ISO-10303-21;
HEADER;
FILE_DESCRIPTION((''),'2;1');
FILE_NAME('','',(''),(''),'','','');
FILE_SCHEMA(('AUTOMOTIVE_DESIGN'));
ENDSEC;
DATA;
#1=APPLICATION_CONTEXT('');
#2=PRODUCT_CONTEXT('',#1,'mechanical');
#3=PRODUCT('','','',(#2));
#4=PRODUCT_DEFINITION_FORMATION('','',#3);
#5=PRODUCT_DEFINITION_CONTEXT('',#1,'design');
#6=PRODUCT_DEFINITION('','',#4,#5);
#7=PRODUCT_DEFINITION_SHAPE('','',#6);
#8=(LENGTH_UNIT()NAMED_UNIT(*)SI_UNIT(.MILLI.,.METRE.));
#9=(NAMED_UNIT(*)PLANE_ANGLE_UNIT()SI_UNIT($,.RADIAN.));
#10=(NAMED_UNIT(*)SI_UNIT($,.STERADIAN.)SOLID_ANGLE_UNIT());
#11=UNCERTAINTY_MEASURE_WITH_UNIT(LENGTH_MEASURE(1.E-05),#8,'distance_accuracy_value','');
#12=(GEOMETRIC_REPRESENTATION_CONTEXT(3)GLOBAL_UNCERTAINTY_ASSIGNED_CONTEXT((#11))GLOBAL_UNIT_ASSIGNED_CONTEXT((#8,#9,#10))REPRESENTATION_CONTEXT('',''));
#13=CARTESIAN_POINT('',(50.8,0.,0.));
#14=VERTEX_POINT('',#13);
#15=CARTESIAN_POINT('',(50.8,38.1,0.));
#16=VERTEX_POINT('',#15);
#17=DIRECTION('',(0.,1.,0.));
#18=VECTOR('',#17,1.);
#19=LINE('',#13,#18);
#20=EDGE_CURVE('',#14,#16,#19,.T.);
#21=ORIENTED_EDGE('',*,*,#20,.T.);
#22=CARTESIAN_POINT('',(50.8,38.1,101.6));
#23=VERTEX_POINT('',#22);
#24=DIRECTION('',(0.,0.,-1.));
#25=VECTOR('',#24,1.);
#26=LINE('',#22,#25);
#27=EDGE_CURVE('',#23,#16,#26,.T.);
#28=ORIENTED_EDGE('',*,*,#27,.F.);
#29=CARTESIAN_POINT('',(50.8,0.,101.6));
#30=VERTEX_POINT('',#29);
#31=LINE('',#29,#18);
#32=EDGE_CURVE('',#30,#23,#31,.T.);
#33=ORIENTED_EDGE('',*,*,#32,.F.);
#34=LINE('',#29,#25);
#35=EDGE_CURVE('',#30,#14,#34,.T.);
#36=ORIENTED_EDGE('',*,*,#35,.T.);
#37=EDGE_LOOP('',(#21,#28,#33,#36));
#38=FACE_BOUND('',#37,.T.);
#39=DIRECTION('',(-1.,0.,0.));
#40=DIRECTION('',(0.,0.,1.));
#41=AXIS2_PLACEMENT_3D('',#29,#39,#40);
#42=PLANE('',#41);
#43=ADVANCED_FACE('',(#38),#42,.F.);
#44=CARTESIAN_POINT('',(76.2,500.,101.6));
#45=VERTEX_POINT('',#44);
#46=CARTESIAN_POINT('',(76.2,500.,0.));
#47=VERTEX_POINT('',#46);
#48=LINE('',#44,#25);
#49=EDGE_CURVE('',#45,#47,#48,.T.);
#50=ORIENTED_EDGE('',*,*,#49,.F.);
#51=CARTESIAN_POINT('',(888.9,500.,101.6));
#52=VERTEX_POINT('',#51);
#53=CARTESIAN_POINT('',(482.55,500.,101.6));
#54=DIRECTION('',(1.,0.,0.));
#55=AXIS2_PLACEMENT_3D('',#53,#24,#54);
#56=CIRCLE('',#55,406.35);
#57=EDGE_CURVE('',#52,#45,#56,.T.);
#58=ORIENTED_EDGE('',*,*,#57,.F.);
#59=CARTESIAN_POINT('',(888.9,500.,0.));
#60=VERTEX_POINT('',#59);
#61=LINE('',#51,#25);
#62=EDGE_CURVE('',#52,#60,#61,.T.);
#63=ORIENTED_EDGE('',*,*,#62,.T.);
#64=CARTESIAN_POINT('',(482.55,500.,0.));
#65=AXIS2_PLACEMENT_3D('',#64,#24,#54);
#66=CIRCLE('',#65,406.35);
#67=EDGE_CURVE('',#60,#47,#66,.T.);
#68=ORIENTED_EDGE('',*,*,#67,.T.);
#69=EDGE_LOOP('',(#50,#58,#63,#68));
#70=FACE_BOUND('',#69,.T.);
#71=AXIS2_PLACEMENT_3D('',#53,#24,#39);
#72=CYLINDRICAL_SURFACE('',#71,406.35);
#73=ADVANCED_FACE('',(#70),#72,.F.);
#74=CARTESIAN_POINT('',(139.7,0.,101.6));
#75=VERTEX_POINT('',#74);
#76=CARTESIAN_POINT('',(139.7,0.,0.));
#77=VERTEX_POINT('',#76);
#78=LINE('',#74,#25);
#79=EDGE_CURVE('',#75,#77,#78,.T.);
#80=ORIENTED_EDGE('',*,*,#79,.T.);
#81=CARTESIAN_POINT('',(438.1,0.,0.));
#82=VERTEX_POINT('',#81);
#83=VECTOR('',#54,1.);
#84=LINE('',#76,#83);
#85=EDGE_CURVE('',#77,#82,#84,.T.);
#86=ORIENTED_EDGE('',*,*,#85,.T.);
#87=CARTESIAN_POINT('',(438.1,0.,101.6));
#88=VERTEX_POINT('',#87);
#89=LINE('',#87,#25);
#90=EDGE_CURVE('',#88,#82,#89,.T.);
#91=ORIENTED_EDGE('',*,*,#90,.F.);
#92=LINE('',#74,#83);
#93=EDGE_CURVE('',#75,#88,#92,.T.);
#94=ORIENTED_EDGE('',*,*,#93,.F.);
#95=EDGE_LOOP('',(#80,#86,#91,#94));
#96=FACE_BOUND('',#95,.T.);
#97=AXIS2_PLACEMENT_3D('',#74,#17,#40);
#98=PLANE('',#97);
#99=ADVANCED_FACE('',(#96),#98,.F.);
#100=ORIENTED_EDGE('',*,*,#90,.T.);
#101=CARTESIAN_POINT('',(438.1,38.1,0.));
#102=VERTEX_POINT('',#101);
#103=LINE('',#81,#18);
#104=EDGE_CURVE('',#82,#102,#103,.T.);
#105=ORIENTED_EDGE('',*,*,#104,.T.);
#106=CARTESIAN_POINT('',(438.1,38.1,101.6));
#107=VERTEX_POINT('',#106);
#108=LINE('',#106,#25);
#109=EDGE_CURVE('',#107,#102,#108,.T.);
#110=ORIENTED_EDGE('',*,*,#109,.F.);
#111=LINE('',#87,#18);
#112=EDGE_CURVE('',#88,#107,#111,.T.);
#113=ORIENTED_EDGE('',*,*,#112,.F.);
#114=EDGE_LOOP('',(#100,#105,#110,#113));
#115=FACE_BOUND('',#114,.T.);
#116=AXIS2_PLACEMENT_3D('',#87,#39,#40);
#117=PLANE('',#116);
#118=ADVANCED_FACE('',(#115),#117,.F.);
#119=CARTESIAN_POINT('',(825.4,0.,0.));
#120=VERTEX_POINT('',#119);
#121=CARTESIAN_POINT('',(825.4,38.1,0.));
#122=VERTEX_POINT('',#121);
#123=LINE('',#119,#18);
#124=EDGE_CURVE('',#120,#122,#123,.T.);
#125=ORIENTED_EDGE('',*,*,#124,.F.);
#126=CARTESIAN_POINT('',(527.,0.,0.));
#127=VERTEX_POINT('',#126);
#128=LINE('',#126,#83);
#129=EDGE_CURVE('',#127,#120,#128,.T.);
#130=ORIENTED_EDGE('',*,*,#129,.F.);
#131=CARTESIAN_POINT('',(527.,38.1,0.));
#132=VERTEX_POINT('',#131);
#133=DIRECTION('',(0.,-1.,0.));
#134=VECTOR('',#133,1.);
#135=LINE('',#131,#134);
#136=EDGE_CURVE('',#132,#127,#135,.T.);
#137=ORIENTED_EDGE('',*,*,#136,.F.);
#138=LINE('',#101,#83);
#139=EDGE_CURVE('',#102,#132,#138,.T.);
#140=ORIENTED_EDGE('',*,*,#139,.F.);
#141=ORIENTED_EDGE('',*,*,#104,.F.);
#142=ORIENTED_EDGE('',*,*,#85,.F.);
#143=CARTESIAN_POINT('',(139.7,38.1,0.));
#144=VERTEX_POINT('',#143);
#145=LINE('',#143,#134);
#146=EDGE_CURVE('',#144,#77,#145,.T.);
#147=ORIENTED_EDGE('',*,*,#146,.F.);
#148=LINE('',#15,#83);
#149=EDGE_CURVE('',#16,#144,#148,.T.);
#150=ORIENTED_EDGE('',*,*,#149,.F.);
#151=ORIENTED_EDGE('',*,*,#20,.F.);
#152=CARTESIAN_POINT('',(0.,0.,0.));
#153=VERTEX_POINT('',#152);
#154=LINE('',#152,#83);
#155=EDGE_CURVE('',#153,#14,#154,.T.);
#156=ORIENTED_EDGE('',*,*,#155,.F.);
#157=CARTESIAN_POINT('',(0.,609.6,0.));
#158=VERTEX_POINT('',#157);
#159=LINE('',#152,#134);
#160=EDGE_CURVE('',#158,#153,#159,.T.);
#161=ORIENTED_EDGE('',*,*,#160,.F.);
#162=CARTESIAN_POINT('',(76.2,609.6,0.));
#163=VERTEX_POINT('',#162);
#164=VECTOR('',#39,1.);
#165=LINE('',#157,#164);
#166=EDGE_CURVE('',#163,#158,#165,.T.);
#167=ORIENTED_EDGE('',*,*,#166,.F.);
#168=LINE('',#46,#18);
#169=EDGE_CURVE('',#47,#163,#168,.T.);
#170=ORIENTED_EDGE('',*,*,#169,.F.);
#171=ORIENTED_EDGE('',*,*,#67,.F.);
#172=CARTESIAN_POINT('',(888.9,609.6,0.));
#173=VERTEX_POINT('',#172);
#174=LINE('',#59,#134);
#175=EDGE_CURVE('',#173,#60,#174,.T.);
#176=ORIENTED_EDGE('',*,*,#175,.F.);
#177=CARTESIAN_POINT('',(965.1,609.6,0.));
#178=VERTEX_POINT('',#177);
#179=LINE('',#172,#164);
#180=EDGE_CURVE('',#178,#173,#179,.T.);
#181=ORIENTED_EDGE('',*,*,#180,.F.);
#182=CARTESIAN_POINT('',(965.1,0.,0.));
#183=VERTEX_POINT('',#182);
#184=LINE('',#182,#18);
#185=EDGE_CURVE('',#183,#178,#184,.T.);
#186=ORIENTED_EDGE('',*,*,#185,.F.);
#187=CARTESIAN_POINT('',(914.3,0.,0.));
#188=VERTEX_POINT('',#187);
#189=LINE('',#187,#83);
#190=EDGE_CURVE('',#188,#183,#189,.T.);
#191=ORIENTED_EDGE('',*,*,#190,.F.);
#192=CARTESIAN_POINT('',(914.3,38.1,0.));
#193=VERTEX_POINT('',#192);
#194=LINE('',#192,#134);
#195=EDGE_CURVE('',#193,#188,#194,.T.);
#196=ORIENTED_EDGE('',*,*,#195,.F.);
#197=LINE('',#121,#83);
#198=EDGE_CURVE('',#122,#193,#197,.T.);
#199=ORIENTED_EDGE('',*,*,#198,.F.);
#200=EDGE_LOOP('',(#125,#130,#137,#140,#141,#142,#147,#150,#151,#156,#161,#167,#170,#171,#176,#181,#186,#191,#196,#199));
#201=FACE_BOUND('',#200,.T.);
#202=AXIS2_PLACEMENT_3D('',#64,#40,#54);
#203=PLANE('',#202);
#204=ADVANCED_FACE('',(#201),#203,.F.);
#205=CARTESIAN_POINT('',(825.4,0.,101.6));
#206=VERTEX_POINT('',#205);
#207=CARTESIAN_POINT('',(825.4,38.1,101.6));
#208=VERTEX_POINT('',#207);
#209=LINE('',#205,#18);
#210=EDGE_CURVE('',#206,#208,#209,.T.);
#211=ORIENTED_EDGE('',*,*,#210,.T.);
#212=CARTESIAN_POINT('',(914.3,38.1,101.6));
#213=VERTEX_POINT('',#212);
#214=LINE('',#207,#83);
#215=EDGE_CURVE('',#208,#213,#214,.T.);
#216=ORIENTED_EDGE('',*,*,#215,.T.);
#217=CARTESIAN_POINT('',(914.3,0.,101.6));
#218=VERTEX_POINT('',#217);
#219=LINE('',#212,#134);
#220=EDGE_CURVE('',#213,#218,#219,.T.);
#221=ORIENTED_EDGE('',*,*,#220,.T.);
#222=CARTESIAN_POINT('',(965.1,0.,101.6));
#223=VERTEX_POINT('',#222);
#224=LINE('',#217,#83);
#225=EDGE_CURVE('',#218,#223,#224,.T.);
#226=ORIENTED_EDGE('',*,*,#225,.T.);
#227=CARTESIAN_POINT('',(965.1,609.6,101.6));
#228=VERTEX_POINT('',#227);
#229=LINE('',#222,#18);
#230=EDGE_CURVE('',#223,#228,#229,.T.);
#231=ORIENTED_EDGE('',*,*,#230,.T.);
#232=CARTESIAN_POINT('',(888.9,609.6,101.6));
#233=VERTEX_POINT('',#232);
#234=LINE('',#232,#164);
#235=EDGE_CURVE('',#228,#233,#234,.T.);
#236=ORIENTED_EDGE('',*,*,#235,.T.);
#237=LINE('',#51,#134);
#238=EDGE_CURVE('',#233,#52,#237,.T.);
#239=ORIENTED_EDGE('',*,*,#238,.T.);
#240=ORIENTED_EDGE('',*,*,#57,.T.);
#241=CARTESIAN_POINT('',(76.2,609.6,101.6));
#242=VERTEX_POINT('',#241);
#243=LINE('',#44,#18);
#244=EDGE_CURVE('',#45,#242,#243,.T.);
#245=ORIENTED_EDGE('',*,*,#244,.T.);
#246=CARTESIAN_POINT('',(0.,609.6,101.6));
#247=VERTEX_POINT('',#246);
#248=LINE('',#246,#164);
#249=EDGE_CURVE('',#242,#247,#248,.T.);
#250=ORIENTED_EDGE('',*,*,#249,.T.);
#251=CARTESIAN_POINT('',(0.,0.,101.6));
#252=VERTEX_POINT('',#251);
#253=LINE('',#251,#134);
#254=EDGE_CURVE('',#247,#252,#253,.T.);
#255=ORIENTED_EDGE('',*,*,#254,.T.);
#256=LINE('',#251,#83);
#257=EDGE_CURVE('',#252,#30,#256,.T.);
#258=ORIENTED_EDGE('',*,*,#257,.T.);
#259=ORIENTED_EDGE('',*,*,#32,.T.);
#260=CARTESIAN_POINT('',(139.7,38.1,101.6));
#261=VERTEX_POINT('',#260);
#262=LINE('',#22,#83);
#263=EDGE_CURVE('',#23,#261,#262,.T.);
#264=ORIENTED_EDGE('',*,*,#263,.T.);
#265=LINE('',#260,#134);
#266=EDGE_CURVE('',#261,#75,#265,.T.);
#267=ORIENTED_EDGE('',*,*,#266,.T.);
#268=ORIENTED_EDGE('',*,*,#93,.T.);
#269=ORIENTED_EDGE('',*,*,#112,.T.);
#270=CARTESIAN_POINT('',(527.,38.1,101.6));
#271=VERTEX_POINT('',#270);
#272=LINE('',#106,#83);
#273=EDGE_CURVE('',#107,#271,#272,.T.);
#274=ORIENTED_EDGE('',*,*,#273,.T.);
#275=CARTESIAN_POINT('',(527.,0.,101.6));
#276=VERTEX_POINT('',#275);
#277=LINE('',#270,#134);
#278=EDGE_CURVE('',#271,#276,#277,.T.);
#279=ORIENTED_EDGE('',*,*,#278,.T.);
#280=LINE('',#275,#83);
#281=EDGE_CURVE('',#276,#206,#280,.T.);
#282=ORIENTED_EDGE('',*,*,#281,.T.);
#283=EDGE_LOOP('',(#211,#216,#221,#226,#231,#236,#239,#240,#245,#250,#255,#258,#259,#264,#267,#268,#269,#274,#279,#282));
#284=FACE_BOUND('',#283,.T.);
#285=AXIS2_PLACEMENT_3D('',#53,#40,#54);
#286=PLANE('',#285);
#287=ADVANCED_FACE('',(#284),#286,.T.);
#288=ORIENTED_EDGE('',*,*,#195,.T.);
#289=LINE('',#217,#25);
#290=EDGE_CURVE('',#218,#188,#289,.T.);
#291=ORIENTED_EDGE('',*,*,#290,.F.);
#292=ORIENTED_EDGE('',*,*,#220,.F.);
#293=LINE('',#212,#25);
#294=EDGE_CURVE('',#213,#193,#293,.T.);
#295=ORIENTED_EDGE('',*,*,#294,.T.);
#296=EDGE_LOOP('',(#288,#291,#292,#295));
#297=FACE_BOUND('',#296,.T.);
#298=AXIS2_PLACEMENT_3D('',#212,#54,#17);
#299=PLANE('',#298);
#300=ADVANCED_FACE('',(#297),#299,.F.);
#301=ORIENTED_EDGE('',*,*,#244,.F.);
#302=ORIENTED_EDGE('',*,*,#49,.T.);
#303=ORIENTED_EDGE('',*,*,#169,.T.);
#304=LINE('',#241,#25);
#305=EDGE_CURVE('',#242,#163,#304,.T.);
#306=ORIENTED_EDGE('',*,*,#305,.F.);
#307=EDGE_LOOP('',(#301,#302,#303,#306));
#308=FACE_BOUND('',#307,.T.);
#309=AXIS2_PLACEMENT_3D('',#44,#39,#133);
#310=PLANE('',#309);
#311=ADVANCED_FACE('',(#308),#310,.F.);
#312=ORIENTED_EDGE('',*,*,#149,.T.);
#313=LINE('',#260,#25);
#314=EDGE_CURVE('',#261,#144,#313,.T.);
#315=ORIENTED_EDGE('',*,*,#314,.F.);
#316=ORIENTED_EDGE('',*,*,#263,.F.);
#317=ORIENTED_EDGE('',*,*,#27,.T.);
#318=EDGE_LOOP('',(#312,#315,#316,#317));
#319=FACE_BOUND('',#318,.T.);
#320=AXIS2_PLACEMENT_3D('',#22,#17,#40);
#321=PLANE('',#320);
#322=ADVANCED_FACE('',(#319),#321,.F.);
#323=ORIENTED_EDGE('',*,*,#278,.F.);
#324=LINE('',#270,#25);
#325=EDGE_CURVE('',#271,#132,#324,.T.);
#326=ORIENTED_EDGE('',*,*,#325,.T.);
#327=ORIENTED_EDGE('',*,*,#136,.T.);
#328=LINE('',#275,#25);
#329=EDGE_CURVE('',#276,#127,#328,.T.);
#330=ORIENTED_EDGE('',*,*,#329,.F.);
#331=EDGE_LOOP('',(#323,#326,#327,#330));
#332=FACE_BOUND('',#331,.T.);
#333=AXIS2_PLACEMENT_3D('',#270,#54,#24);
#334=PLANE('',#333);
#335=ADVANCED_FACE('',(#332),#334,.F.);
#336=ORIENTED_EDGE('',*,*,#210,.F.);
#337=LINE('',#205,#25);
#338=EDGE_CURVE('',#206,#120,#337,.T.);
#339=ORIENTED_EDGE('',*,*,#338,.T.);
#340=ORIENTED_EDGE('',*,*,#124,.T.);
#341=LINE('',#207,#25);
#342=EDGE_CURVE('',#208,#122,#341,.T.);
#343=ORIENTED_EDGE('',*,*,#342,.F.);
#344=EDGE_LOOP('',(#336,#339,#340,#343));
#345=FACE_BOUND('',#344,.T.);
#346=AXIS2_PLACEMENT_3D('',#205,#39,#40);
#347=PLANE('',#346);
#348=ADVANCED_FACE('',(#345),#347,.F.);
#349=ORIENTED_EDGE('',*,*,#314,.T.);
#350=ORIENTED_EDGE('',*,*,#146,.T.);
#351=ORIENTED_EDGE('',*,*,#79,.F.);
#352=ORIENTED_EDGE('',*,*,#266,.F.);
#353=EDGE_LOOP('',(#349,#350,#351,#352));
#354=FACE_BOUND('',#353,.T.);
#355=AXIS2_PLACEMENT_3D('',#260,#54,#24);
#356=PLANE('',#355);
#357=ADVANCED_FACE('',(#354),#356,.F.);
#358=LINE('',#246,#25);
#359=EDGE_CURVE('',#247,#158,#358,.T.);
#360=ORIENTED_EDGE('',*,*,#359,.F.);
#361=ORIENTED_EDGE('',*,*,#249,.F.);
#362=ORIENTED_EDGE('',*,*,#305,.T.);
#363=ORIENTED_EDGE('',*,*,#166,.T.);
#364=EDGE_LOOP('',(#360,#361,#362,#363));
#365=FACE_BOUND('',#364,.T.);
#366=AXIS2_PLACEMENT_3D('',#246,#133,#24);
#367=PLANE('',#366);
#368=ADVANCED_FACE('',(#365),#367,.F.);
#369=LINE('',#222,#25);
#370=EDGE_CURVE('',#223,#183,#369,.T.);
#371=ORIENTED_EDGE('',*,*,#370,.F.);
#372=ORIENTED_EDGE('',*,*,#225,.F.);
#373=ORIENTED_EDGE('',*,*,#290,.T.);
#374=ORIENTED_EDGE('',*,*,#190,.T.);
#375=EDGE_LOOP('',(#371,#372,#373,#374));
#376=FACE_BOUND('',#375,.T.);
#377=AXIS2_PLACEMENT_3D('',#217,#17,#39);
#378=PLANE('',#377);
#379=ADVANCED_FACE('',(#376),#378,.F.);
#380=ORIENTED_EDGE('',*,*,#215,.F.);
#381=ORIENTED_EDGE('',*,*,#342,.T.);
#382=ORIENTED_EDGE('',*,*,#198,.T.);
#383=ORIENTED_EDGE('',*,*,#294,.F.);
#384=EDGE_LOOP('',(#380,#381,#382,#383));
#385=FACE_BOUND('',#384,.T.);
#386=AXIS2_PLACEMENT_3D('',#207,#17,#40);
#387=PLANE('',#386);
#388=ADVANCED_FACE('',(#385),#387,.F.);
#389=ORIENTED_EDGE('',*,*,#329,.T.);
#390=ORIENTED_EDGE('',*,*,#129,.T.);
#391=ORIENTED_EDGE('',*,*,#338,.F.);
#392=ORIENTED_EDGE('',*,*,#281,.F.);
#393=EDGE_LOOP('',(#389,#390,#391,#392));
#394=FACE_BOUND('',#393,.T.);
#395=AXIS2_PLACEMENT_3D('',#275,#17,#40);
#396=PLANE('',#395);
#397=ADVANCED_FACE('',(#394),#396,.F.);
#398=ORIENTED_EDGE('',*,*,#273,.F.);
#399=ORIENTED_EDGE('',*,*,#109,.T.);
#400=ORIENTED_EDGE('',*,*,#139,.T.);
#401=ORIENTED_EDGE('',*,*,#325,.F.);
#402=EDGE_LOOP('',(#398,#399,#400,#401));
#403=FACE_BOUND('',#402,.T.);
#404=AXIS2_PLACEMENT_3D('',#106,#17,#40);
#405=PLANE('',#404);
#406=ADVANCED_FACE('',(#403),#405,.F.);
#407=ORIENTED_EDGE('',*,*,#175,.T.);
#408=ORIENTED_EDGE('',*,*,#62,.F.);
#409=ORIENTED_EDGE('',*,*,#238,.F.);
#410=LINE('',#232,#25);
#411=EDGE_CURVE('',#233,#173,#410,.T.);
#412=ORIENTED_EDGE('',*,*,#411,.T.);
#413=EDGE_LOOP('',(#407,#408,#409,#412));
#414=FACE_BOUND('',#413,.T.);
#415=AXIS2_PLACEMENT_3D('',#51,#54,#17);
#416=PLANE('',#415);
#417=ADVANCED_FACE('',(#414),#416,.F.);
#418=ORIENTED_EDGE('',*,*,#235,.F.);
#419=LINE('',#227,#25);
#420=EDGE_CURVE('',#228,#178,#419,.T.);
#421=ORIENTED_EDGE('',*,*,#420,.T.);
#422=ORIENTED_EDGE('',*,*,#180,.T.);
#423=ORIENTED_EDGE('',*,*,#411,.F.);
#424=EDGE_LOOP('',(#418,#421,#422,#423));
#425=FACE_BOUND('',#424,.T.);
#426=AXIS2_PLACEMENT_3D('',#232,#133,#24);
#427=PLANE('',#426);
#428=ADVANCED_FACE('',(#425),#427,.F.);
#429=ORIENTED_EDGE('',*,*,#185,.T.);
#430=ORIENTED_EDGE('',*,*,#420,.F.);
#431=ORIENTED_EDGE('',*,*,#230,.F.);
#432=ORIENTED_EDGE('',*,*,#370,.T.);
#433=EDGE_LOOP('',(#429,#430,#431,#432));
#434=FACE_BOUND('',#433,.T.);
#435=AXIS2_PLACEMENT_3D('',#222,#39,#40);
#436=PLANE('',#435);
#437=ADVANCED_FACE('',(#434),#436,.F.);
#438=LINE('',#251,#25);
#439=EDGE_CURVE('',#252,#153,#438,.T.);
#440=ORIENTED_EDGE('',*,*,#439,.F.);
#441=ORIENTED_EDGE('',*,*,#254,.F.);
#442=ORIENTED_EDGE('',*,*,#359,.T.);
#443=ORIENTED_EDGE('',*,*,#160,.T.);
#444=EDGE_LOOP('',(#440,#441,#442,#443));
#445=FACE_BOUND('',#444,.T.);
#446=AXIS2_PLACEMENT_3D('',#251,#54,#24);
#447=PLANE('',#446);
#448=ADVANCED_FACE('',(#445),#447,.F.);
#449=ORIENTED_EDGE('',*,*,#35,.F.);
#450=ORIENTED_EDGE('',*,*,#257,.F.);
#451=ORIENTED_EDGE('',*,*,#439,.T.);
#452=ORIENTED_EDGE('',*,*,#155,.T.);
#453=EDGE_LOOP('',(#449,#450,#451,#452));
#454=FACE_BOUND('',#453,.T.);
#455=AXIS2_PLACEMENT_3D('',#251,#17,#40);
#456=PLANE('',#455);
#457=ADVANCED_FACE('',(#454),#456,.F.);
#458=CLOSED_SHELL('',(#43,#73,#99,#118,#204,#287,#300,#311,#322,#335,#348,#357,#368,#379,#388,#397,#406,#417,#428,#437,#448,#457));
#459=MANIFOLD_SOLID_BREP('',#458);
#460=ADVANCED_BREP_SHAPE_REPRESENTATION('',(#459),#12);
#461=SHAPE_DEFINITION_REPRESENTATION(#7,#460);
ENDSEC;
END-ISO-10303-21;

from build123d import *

# Parameters (mm, degrees)
BOSS_EXTRUDE1_DEPTH = 101.6


with BuildPart() as part:
    # Sketch1 → Boss-Extrude1 (new body)
    with BuildSketch(Plane.XY):
        with BuildLine():
            Line((76.2, 500), (76.2, 609.6))
            Line((76.2, 609.6), (0, 609.6))
            Line((0, 609.6), (0, 0))
            Line((0, 0), (50.8, 0))
            Line((50.8, 0), (50.8, 38.1))
            Line((50.8, 38.1), (139.7, 38.1))
            Line((139.7, 38.1), (139.7, 0))
            Line((139.7, 0), (438.1, 0))
            Line((438.1, 0), (438.1, 38.1))
            Line((438.1, 38.1), (527, 38.1))
            Line((527, 38.1), (527, 0))
            Line((527, 0), (825.4, 0))
            Line((825.4, 0), (825.4, 38.1))
            Line((825.4, 38.1), (914.3, 38.1))
            Line((914.3, 38.1), (914.3, 0))
            Line((914.3, 0), (965.1, 0))
            Line((965.1, 0), (965.1, 609.6))
            Line((965.1, 609.6), (888.9, 609.6))
            Line((888.9, 609.6), (888.9, 500))
            ThreePointArc((888.9, 500), (482.55, 93.65), (76.2, 500))
        make_face()
    extrude(amount=BOSS_EXTRUDE1_DEPTH)


solid = part.part
